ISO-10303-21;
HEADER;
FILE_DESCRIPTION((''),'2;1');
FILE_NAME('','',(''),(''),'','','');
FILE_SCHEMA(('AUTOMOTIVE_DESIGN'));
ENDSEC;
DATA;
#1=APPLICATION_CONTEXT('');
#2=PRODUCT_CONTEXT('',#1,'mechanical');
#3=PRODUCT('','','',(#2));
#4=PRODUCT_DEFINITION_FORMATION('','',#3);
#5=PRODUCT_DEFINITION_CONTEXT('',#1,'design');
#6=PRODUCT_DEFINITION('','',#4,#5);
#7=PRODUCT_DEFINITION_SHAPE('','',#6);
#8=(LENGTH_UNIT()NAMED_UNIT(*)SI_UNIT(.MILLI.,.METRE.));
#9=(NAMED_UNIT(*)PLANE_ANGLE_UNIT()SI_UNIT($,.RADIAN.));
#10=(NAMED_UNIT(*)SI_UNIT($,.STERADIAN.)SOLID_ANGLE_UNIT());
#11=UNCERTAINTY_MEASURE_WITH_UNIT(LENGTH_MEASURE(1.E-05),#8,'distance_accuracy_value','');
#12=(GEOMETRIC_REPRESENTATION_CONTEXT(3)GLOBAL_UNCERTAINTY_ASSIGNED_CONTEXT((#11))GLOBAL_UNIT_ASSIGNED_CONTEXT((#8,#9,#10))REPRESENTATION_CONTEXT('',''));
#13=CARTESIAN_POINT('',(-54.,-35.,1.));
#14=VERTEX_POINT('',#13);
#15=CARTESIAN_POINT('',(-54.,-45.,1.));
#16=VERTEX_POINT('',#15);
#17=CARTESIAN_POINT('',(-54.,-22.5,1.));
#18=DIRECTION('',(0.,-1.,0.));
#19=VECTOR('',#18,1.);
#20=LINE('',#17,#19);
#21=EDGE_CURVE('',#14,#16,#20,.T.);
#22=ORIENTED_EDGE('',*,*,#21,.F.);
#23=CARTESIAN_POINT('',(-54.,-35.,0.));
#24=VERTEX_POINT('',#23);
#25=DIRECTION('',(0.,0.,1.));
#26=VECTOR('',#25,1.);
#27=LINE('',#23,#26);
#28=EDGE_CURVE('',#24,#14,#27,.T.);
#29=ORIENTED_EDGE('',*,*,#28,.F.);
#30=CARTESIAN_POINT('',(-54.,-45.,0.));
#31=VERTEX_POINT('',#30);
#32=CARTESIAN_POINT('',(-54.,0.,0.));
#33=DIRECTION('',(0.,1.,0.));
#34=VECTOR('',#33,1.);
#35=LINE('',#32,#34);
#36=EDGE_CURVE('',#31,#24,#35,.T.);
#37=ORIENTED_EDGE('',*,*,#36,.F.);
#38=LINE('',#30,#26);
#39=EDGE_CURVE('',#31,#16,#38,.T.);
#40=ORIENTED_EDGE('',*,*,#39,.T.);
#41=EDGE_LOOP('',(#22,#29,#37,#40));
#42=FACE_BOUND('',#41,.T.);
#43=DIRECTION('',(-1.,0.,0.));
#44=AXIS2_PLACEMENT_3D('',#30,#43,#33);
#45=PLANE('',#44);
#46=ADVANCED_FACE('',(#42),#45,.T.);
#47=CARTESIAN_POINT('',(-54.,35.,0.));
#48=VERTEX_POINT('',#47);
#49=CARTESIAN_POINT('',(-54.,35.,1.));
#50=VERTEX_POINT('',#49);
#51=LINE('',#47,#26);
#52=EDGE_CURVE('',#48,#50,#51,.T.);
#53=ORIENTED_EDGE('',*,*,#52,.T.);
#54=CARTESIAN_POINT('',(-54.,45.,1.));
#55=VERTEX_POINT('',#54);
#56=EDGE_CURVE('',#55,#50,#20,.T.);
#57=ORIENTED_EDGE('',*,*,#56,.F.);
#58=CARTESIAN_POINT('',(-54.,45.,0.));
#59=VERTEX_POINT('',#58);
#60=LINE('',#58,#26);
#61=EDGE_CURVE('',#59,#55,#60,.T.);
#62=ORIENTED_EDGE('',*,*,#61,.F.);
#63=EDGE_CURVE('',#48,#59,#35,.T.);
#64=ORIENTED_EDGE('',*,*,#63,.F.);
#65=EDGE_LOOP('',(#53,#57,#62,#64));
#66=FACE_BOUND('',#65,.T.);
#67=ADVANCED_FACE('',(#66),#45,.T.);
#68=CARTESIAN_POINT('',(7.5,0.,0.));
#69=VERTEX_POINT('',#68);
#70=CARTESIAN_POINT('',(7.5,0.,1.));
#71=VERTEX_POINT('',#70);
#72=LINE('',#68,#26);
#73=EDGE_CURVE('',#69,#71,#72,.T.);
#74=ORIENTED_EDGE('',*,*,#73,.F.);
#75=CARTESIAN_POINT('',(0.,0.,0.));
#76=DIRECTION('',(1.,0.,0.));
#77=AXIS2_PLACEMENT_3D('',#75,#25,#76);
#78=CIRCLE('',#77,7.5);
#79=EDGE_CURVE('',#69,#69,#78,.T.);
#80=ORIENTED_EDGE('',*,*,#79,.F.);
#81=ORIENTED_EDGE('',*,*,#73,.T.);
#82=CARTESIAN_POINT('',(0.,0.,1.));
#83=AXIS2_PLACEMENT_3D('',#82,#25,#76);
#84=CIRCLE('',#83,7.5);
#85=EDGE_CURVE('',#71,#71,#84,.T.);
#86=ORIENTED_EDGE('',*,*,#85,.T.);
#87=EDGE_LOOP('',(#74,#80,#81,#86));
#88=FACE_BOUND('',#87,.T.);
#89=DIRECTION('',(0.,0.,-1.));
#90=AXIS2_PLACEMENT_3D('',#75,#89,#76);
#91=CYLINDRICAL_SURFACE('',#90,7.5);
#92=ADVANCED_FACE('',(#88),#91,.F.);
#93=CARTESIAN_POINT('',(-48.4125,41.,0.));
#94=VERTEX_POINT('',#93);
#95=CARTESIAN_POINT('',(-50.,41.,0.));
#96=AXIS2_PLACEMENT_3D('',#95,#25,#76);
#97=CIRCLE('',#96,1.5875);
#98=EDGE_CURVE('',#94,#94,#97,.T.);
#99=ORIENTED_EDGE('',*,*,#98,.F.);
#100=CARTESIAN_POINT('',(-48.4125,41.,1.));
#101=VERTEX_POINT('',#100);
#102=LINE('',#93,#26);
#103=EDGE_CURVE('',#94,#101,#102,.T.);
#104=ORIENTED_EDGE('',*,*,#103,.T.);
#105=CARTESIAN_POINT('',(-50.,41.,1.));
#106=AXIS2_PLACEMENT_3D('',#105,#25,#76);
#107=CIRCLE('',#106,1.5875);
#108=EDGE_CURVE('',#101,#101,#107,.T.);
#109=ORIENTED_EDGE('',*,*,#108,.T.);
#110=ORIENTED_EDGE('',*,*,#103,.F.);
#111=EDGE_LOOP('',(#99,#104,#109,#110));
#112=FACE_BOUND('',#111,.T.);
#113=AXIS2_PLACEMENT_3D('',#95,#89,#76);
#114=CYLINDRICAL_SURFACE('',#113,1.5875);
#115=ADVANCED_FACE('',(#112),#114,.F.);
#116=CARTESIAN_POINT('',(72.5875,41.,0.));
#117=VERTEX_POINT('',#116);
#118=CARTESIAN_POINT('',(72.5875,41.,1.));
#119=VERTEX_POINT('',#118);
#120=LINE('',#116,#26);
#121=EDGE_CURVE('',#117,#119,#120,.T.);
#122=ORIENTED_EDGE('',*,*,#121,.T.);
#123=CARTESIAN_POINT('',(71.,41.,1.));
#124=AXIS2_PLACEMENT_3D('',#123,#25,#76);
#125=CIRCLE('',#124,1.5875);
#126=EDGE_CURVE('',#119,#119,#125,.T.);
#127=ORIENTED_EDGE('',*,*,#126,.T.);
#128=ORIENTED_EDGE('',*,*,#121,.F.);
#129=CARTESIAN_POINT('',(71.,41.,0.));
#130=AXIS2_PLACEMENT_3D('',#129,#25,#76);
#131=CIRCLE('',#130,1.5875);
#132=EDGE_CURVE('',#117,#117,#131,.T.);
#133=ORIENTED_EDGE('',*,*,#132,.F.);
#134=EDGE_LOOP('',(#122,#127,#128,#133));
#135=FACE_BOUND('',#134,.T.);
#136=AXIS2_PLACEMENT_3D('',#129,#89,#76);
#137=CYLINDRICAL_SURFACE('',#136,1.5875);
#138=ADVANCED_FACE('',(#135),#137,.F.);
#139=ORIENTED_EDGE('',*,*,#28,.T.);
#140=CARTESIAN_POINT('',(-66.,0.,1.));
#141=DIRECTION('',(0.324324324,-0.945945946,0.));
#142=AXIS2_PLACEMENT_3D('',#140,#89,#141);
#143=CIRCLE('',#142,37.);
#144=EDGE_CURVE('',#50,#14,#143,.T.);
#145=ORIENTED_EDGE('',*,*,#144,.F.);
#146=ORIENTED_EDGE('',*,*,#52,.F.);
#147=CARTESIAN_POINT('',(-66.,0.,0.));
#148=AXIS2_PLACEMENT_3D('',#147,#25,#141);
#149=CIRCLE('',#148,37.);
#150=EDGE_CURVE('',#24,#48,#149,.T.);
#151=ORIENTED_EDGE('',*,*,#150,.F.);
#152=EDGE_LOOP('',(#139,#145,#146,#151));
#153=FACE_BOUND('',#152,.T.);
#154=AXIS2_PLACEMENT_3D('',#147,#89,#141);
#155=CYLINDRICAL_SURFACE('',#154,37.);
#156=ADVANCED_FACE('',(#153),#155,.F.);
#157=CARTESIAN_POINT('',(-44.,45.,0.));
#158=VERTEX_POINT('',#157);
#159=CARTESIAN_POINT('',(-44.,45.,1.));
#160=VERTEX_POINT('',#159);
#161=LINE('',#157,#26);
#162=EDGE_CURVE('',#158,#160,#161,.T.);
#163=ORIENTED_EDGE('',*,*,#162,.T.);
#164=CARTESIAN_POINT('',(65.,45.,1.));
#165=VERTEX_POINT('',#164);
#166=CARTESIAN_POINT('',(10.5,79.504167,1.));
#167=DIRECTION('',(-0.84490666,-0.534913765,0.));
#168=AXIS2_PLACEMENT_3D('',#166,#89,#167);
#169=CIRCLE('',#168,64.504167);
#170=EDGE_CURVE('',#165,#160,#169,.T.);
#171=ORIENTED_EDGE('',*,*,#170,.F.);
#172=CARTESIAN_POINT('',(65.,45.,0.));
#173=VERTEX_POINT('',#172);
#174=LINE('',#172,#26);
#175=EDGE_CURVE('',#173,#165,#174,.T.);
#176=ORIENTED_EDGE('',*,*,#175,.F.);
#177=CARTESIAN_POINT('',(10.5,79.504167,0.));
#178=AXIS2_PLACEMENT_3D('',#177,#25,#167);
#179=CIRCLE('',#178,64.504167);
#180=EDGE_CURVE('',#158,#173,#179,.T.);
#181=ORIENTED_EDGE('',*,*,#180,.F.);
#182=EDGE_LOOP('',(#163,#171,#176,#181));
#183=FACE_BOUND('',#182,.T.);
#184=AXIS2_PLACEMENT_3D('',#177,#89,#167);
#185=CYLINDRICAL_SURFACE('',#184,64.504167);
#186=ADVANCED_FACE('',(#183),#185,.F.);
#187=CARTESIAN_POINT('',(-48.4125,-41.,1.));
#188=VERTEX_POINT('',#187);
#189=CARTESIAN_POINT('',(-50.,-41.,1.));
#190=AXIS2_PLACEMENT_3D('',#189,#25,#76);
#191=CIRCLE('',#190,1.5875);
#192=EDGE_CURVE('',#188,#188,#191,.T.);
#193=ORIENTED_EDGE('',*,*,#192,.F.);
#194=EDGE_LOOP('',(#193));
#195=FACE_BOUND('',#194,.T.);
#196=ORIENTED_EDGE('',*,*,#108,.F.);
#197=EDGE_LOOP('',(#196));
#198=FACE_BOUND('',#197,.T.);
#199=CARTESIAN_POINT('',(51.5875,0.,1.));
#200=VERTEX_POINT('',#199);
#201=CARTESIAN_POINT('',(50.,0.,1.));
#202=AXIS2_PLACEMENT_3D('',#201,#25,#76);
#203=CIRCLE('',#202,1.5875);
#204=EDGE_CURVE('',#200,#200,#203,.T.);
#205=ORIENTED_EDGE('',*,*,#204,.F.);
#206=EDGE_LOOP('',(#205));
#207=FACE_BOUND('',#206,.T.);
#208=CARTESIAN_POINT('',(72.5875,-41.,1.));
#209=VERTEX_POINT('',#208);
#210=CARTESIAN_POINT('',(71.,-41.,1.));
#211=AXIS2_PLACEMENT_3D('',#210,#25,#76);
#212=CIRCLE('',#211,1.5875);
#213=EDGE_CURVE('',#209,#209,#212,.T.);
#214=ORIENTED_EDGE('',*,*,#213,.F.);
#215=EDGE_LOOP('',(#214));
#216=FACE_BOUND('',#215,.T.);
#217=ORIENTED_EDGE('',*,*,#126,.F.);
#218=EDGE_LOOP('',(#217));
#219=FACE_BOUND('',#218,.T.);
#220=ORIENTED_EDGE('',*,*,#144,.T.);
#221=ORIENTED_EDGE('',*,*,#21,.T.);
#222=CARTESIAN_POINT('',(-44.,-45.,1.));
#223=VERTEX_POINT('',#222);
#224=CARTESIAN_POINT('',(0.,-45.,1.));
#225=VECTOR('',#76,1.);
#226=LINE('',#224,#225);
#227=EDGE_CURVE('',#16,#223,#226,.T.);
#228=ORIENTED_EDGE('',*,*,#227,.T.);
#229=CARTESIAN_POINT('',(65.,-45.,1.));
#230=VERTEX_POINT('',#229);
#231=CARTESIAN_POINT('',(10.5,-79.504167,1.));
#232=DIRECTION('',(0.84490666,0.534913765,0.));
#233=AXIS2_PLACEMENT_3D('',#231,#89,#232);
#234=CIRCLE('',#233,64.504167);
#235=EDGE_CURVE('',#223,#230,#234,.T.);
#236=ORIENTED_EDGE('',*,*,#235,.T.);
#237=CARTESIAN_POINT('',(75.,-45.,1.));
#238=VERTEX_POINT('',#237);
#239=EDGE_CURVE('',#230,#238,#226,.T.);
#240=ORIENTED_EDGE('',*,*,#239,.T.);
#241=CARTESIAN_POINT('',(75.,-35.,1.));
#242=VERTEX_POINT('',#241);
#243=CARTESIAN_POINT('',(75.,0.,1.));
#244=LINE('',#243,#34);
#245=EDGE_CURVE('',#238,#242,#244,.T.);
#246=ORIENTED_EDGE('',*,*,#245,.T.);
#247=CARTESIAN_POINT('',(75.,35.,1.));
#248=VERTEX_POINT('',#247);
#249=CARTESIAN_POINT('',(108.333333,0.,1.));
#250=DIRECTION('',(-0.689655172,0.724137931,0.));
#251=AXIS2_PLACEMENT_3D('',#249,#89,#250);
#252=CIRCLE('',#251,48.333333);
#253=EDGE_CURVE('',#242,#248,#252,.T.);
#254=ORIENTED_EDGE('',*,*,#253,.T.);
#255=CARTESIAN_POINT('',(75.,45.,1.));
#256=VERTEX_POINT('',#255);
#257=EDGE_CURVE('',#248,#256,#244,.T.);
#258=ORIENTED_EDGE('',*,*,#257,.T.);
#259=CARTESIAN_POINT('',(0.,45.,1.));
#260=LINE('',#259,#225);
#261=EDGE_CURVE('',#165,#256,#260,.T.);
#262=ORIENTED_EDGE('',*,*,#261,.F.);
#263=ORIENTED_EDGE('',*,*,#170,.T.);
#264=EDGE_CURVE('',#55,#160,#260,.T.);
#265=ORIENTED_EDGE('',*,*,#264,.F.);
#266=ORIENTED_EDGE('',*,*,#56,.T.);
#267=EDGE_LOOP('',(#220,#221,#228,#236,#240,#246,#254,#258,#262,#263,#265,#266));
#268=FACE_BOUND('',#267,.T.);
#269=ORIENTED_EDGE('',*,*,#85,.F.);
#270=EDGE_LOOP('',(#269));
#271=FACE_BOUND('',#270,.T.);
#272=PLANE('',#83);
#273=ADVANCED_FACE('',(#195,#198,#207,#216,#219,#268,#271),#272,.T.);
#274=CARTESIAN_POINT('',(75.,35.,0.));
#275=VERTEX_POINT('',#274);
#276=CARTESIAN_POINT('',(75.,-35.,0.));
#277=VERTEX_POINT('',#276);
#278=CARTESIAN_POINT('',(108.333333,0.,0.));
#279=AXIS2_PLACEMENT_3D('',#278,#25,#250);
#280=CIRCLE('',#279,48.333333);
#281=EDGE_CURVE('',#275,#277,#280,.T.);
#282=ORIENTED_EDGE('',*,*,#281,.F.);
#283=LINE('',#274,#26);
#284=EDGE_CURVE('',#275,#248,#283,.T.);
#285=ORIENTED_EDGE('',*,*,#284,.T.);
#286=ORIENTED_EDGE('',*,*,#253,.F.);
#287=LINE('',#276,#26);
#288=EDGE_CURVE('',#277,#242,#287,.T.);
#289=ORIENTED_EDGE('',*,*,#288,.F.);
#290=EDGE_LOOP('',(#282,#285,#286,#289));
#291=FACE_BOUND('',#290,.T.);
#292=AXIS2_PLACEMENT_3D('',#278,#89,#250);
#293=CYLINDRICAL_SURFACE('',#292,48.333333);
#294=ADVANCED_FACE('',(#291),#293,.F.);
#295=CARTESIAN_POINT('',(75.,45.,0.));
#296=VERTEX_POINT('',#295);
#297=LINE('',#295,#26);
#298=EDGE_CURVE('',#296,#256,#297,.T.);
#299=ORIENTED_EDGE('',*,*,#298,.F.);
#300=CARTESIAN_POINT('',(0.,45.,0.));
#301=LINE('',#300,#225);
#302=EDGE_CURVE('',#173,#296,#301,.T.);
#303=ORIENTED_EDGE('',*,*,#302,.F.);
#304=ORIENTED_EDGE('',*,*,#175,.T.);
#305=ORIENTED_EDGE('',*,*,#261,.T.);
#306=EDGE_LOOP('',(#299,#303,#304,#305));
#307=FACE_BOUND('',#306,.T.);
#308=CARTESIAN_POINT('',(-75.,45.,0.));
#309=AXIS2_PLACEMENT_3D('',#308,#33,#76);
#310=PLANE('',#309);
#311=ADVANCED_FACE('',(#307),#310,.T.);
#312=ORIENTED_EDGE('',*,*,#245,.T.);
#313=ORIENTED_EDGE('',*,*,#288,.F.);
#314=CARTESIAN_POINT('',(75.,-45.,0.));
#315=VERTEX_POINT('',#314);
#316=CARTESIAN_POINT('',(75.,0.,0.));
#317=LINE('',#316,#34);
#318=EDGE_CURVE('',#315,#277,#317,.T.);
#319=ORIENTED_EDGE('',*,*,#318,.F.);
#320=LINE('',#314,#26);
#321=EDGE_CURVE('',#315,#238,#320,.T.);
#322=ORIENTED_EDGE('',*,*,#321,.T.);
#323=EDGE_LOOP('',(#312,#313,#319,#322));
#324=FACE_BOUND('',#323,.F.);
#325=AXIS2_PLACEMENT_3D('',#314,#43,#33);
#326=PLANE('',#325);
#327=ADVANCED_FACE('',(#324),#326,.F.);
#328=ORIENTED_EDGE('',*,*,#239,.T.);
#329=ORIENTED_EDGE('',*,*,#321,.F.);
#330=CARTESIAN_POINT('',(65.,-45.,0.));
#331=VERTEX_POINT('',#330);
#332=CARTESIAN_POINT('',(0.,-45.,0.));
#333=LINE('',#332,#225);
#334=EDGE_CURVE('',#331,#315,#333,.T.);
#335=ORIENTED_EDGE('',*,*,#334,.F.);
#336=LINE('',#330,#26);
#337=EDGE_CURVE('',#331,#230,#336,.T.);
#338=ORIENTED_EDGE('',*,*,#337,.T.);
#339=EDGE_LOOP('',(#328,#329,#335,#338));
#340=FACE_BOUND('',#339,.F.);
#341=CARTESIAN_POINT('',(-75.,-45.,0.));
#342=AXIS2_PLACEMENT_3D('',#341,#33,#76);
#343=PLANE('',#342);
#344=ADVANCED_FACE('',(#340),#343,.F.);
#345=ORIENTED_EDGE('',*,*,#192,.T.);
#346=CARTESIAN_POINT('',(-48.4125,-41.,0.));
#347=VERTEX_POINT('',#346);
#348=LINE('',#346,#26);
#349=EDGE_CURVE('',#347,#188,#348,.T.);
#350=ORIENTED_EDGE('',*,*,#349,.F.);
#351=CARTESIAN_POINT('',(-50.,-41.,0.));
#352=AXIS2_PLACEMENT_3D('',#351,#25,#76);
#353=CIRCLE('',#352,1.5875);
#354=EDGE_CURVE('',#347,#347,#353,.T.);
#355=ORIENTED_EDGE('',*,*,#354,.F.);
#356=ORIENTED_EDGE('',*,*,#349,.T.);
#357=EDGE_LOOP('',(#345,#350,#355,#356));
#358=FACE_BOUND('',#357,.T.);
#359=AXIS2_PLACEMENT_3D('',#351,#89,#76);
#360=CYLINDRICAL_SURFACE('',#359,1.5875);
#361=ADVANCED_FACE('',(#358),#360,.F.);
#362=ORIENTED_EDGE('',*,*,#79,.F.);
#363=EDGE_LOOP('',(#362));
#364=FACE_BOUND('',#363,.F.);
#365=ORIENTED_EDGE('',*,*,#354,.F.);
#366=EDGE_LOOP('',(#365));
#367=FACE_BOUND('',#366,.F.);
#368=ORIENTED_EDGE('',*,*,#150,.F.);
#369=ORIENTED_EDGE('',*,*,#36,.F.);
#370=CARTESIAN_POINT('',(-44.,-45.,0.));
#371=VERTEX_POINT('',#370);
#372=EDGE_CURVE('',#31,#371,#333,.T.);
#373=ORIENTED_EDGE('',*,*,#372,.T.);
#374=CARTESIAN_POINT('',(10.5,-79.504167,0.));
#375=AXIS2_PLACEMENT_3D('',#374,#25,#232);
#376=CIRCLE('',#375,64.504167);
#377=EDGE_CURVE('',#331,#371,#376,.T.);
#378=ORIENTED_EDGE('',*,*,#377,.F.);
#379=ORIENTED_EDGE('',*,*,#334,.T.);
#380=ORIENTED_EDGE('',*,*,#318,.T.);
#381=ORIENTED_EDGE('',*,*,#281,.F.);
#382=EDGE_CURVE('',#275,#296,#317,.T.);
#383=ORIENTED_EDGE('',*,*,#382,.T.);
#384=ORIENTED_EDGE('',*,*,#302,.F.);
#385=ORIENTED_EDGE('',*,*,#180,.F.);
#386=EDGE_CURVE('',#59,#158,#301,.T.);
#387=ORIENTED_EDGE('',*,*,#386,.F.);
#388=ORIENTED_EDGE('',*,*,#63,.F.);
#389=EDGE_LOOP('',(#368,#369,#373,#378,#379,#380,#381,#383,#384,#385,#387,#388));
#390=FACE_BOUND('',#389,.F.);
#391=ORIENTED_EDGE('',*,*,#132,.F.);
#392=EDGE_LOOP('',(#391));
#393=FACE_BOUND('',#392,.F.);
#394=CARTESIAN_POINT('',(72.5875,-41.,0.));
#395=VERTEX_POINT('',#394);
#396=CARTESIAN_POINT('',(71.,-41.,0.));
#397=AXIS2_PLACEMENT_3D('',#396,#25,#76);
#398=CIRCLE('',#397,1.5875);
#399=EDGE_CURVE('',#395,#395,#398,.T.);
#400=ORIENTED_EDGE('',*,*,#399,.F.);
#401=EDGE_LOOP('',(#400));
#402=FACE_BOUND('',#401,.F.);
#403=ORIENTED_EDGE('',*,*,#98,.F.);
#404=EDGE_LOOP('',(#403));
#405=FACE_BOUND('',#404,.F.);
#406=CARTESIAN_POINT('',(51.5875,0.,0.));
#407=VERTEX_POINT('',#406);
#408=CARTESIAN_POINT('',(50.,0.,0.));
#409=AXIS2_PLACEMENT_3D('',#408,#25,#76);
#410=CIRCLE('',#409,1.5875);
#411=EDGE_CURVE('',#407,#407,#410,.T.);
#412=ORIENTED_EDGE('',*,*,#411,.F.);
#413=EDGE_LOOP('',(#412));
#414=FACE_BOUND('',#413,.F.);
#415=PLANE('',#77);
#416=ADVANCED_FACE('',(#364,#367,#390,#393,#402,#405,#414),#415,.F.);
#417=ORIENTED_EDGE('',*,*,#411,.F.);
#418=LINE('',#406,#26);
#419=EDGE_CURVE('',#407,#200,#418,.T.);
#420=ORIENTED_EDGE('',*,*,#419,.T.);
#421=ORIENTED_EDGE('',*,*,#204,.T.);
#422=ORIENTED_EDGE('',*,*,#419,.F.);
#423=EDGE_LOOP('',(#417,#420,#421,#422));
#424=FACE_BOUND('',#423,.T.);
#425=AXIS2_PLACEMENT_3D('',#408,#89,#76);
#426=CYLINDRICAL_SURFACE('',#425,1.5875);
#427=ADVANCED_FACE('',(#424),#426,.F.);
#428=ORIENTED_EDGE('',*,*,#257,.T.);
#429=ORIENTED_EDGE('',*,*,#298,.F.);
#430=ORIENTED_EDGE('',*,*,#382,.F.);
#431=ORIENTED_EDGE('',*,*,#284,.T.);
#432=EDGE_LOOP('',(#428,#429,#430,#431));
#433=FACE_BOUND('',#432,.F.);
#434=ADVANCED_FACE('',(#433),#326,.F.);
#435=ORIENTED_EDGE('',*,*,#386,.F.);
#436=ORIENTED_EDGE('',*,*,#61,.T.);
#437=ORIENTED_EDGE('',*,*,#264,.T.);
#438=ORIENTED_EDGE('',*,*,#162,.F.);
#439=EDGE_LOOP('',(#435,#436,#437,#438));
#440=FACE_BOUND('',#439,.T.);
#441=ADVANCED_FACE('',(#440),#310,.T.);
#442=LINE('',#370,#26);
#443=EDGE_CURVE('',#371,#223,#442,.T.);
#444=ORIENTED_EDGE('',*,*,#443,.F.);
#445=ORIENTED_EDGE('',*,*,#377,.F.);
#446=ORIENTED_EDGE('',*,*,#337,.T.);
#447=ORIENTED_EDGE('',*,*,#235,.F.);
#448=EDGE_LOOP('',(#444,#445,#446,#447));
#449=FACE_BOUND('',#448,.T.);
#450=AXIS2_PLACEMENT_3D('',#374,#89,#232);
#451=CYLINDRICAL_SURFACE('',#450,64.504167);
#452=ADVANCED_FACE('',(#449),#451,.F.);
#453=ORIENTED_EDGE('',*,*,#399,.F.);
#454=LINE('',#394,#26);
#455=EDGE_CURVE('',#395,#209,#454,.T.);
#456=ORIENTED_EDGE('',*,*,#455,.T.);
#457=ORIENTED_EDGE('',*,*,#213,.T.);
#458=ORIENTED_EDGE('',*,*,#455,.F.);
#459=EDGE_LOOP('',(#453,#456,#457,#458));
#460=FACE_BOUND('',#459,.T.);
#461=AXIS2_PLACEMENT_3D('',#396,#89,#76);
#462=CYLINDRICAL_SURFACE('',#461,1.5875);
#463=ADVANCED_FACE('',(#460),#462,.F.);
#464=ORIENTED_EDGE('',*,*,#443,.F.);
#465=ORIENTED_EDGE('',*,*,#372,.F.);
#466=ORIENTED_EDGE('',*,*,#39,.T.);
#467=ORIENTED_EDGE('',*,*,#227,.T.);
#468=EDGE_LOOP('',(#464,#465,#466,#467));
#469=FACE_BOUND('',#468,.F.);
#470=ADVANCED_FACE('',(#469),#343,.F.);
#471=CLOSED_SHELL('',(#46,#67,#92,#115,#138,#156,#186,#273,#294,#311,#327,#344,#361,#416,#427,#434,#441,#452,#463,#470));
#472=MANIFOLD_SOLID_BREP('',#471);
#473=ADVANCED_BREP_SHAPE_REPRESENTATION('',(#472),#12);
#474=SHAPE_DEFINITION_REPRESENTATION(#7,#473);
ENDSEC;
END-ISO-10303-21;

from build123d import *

# Parameters (mm, degrees)
F0_W     = 150
F0_H     = 90
F0_R     = 1.5875
F0_R_2   = 7.5
F1_DEPTH = 1
F2_W     = 21
F2_H     = 90
F3_DEPTH = 1.001
F5_DEPTH = 25


with BuildPart() as f1:
    # F0 (on Top) → F1 (new body)
    with BuildSketch(Plane.XY):
        Rectangle(F0_W, F0_H)
        with Locations((-50, -41)):
            Circle(F0_R, mode=Mode.SUBTRACT)
        with Locations((71, -41)):
            Circle(F0_R, mode=Mode.SUBTRACT)
        with Locations((-50, 41)):
            Circle(F0_R, mode=Mode.SUBTRACT)
        Circle(F0_R_2, mode=Mode.SUBTRACT)
        with Locations((50, 0)):
            Circle(F0_R, mode=Mode.SUBTRACT)
        with Locations((71, 41)):
            Circle(F0_R, mode=Mode.SUBTRACT)
    extrude(amount=F1_DEPTH)

    # F2 (on Top) → F3 (cut, through all)
    with BuildSketch(Plane.XY):
        with Locations((-64.5, 0)):
            Rectangle(F2_W, F2_H)
    extrude(amount=F3_DEPTH, mode=Mode.SUBTRACT)

    # F4 (on Top) → F5 (cut)
    with BuildSketch(Plane.XY):
        with BuildLine():
            ThreePointArc((-44, 45), (10.5, 15), (65, 45))
            Line((65, 45), (-44, 45))
        make_face()
        with BuildLine():
            Line((-54, 35), (-54, -35))
            ThreePointArc((-54, -35), (-29, 0), (-54, 35))
        make_face()
        with BuildLine():
            Line((-44, -45), (65, -45))
            ThreePointArc((65, -45), (10.5, -15), (-44, -45))
        make_face()
        with BuildLine():
            Line((75, -35), (75, 35))
            ThreePointArc((75, 35), (60, 0), (75, -35))
        make_face()
    extrude(amount=F5_DEPTH, mode=Mode.SUBTRACT)


solid = f1.part
